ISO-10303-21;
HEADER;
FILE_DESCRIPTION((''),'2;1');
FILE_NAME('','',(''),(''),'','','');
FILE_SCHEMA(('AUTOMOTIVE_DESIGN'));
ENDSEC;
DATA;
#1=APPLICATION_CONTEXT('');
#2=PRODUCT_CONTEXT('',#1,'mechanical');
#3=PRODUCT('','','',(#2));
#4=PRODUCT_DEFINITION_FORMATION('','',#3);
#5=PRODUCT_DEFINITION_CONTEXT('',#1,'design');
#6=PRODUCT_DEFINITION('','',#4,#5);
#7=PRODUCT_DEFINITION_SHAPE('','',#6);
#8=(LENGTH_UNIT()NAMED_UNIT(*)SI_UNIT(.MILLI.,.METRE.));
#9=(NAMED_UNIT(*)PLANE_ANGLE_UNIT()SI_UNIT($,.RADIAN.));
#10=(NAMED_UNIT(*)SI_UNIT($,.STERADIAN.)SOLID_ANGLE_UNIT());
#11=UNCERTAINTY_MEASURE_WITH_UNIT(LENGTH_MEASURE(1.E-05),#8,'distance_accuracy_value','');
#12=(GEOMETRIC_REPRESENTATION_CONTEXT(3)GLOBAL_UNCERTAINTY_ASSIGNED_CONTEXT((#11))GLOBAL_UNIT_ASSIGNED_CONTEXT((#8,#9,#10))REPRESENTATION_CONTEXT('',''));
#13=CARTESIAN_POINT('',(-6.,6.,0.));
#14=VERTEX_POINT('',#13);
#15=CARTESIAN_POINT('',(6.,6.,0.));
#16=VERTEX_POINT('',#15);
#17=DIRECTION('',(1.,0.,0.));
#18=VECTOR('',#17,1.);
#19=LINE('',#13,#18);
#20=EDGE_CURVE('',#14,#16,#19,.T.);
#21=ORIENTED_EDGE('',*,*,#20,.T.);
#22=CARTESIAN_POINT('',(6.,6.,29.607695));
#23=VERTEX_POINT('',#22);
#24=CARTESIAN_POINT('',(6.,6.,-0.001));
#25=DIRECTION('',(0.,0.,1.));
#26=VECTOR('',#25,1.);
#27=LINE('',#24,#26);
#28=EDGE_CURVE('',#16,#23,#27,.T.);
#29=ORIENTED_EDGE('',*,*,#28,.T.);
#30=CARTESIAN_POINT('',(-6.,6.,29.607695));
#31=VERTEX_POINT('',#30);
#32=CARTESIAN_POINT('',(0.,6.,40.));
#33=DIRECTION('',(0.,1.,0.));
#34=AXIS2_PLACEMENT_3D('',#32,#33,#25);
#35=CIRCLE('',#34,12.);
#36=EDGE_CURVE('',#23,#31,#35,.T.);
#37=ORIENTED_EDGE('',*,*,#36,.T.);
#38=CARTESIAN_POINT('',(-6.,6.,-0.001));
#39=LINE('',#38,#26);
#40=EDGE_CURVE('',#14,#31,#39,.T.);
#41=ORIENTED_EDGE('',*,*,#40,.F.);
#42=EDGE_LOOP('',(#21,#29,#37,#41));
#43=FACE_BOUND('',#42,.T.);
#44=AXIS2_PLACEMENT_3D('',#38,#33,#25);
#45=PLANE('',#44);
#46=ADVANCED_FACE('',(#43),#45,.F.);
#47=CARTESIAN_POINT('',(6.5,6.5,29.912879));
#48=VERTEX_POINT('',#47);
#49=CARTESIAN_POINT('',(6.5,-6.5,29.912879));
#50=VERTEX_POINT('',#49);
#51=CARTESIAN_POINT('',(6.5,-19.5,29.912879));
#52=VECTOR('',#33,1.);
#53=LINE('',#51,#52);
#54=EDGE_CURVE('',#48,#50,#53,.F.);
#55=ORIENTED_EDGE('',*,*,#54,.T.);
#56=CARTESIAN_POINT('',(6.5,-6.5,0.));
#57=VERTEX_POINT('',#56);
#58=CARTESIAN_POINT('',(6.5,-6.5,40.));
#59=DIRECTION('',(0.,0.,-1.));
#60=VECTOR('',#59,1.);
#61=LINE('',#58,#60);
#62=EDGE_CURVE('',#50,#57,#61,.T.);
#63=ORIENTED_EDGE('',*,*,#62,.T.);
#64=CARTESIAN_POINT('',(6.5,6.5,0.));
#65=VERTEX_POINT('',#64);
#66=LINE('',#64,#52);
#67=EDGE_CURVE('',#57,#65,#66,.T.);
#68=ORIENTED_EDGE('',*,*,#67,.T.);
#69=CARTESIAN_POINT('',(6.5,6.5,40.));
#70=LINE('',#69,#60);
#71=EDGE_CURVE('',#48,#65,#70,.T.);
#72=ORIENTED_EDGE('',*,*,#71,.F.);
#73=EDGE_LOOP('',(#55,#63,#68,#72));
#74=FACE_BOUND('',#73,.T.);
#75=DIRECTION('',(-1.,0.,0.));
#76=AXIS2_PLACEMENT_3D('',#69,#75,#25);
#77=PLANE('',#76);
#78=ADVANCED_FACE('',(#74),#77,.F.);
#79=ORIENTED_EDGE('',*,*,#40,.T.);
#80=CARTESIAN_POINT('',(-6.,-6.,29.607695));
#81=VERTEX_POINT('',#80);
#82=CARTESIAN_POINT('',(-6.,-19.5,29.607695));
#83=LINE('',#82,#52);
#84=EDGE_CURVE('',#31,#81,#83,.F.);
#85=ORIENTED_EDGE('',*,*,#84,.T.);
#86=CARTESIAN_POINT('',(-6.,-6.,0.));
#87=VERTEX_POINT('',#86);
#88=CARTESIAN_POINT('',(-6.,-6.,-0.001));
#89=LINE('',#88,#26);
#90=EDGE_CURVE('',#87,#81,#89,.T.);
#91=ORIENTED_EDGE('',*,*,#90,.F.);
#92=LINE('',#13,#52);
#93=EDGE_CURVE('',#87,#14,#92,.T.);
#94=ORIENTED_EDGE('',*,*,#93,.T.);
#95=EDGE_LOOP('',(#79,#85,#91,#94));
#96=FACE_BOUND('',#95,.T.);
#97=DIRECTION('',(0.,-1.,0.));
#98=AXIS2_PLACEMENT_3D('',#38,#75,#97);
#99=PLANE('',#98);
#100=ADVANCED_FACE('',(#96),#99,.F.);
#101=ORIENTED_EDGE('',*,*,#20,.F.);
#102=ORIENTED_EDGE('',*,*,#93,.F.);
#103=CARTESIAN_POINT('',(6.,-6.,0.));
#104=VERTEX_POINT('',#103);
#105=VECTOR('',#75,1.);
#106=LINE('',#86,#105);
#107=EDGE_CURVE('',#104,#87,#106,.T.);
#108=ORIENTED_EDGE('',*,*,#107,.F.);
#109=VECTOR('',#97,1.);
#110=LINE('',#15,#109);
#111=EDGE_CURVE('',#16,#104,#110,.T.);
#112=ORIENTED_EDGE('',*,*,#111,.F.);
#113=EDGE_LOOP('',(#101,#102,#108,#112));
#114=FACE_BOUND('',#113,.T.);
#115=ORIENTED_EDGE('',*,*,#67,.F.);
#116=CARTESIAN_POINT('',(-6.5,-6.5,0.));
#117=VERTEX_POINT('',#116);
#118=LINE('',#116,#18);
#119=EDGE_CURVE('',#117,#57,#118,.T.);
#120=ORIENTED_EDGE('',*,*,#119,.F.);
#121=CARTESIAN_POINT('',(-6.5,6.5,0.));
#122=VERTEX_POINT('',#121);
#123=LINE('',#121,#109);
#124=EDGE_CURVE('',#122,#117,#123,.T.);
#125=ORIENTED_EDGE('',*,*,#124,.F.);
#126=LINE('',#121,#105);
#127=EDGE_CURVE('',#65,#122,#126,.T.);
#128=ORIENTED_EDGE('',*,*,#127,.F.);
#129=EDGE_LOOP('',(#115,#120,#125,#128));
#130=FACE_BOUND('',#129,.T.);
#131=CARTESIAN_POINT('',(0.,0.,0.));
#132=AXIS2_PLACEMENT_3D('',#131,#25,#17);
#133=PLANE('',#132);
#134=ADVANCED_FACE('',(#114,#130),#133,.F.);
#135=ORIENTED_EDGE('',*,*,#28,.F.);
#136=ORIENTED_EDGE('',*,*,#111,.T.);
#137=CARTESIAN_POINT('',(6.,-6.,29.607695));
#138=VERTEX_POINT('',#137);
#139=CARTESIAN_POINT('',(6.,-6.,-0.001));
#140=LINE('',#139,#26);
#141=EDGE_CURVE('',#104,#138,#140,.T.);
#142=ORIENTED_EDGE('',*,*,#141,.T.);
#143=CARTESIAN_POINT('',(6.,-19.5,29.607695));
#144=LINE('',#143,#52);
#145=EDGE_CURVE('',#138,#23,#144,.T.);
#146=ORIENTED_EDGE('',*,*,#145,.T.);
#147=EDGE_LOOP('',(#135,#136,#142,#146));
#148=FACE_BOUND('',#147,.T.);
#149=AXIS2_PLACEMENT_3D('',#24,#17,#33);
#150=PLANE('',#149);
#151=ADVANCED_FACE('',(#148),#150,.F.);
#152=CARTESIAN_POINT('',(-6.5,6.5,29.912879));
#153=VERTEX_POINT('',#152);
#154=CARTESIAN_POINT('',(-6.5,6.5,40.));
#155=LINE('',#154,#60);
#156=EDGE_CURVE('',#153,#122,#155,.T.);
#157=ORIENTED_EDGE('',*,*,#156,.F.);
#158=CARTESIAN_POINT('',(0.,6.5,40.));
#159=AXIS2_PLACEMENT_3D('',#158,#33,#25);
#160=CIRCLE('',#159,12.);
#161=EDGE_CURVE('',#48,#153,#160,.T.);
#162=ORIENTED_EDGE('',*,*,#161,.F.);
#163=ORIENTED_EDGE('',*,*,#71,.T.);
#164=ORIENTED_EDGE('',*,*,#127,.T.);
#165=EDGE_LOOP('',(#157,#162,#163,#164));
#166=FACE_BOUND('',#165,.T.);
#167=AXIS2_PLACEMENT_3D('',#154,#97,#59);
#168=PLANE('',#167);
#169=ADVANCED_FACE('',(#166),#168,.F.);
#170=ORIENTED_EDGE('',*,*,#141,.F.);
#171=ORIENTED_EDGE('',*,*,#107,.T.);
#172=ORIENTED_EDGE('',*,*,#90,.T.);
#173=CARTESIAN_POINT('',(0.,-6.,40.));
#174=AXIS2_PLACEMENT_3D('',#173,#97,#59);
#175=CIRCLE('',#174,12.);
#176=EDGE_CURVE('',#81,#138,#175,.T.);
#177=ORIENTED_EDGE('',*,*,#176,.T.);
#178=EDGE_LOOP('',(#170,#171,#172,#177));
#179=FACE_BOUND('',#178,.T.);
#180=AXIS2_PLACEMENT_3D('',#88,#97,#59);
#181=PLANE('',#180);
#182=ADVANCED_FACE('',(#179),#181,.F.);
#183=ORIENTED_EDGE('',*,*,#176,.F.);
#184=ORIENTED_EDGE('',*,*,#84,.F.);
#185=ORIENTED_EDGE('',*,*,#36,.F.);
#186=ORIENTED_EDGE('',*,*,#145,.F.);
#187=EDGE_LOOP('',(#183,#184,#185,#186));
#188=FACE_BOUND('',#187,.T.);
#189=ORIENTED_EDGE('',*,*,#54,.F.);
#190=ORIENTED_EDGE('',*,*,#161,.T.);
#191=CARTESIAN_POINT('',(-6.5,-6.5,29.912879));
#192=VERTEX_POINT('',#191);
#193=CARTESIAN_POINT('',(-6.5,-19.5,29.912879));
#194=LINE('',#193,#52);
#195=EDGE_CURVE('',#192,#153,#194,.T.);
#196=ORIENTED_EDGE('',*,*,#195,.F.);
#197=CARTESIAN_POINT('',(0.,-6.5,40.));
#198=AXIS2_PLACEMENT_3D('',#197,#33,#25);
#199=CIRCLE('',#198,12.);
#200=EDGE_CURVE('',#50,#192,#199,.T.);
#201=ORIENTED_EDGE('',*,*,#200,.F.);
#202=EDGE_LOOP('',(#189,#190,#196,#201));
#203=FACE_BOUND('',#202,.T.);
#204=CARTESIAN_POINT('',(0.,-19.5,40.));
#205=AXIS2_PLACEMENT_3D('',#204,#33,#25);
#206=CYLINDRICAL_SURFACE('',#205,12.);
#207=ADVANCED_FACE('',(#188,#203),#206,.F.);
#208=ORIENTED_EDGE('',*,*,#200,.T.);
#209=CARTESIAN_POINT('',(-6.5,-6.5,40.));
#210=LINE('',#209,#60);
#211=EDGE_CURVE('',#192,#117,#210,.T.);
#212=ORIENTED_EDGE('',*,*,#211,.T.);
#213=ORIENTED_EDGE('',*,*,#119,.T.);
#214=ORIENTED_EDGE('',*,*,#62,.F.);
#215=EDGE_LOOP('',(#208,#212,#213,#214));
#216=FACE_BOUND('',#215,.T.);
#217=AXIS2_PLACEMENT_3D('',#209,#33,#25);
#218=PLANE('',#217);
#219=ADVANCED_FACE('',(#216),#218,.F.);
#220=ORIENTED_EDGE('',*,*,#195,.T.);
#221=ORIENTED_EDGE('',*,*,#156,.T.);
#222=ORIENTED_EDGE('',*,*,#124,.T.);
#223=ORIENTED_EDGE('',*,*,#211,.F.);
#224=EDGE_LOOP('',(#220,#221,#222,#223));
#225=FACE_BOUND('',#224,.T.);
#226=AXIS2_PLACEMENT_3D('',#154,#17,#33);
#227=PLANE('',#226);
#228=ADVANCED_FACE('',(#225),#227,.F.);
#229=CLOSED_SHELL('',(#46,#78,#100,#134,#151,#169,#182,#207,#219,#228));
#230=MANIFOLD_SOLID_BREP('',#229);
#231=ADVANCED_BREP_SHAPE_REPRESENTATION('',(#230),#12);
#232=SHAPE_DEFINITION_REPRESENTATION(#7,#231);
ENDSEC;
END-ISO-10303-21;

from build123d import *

# Parameters (mm, degrees)
CROQUIS1_W              = 13
CROQUIS1_H              = 13
SALIENTE_EXTRUIR1_DEPTH = 40
CORTAR_EXTRUIR1_REACH   = 43.043
CROQUIS2_W              = 12
CROQUIS2_H              = 12
CROQUIS4_R              = 12
CORTAR_EXTRUIR3_DEPTH   = 26


with BuildPart() as part:
    # Croquis1 → Saliente-Extruir1 (new body)
    with BuildSketch(Plane.XY):
        Rectangle(CROQUIS1_W, CROQUIS1_H)
    extrude(amount=SALIENTE_EXTRUIR1_DEPTH)

    # Croquis2 → Cortar-Extruir1 (cut, up to next)
    with BuildSketch(Plane.XY.offset(40), mode=Mode.PRIVATE) as cortar_extruir1_sk1:
        Rectangle(CROQUIS2_W, CROQUIS2_H)
    cortar_extruir1_tool1 = extrude(cortar_extruir1_sk1.sketch, amount=-CORTAR_EXTRUIR1_REACH, mode=Mode.PRIVATE) & part.part
    add(cortar_extruir1_tool1.solids().sort_by_distance((0, 0, 40))[0], mode=Mode.SUBTRACT)

    # Croquis4 → Cortar-Extruir3 (cut)
    with BuildSketch(Plane(origin=(0, 6.5, 0), x_dir=(1, 0, 0), z_dir=(0, 1, 0))):
        with Locations((0, -40)):
            Circle(CROQUIS4_R)
    extrude(amount=-CORTAR_EXTRUIR3_DEPTH, mode=Mode.SUBTRACT)


solid = part.part
